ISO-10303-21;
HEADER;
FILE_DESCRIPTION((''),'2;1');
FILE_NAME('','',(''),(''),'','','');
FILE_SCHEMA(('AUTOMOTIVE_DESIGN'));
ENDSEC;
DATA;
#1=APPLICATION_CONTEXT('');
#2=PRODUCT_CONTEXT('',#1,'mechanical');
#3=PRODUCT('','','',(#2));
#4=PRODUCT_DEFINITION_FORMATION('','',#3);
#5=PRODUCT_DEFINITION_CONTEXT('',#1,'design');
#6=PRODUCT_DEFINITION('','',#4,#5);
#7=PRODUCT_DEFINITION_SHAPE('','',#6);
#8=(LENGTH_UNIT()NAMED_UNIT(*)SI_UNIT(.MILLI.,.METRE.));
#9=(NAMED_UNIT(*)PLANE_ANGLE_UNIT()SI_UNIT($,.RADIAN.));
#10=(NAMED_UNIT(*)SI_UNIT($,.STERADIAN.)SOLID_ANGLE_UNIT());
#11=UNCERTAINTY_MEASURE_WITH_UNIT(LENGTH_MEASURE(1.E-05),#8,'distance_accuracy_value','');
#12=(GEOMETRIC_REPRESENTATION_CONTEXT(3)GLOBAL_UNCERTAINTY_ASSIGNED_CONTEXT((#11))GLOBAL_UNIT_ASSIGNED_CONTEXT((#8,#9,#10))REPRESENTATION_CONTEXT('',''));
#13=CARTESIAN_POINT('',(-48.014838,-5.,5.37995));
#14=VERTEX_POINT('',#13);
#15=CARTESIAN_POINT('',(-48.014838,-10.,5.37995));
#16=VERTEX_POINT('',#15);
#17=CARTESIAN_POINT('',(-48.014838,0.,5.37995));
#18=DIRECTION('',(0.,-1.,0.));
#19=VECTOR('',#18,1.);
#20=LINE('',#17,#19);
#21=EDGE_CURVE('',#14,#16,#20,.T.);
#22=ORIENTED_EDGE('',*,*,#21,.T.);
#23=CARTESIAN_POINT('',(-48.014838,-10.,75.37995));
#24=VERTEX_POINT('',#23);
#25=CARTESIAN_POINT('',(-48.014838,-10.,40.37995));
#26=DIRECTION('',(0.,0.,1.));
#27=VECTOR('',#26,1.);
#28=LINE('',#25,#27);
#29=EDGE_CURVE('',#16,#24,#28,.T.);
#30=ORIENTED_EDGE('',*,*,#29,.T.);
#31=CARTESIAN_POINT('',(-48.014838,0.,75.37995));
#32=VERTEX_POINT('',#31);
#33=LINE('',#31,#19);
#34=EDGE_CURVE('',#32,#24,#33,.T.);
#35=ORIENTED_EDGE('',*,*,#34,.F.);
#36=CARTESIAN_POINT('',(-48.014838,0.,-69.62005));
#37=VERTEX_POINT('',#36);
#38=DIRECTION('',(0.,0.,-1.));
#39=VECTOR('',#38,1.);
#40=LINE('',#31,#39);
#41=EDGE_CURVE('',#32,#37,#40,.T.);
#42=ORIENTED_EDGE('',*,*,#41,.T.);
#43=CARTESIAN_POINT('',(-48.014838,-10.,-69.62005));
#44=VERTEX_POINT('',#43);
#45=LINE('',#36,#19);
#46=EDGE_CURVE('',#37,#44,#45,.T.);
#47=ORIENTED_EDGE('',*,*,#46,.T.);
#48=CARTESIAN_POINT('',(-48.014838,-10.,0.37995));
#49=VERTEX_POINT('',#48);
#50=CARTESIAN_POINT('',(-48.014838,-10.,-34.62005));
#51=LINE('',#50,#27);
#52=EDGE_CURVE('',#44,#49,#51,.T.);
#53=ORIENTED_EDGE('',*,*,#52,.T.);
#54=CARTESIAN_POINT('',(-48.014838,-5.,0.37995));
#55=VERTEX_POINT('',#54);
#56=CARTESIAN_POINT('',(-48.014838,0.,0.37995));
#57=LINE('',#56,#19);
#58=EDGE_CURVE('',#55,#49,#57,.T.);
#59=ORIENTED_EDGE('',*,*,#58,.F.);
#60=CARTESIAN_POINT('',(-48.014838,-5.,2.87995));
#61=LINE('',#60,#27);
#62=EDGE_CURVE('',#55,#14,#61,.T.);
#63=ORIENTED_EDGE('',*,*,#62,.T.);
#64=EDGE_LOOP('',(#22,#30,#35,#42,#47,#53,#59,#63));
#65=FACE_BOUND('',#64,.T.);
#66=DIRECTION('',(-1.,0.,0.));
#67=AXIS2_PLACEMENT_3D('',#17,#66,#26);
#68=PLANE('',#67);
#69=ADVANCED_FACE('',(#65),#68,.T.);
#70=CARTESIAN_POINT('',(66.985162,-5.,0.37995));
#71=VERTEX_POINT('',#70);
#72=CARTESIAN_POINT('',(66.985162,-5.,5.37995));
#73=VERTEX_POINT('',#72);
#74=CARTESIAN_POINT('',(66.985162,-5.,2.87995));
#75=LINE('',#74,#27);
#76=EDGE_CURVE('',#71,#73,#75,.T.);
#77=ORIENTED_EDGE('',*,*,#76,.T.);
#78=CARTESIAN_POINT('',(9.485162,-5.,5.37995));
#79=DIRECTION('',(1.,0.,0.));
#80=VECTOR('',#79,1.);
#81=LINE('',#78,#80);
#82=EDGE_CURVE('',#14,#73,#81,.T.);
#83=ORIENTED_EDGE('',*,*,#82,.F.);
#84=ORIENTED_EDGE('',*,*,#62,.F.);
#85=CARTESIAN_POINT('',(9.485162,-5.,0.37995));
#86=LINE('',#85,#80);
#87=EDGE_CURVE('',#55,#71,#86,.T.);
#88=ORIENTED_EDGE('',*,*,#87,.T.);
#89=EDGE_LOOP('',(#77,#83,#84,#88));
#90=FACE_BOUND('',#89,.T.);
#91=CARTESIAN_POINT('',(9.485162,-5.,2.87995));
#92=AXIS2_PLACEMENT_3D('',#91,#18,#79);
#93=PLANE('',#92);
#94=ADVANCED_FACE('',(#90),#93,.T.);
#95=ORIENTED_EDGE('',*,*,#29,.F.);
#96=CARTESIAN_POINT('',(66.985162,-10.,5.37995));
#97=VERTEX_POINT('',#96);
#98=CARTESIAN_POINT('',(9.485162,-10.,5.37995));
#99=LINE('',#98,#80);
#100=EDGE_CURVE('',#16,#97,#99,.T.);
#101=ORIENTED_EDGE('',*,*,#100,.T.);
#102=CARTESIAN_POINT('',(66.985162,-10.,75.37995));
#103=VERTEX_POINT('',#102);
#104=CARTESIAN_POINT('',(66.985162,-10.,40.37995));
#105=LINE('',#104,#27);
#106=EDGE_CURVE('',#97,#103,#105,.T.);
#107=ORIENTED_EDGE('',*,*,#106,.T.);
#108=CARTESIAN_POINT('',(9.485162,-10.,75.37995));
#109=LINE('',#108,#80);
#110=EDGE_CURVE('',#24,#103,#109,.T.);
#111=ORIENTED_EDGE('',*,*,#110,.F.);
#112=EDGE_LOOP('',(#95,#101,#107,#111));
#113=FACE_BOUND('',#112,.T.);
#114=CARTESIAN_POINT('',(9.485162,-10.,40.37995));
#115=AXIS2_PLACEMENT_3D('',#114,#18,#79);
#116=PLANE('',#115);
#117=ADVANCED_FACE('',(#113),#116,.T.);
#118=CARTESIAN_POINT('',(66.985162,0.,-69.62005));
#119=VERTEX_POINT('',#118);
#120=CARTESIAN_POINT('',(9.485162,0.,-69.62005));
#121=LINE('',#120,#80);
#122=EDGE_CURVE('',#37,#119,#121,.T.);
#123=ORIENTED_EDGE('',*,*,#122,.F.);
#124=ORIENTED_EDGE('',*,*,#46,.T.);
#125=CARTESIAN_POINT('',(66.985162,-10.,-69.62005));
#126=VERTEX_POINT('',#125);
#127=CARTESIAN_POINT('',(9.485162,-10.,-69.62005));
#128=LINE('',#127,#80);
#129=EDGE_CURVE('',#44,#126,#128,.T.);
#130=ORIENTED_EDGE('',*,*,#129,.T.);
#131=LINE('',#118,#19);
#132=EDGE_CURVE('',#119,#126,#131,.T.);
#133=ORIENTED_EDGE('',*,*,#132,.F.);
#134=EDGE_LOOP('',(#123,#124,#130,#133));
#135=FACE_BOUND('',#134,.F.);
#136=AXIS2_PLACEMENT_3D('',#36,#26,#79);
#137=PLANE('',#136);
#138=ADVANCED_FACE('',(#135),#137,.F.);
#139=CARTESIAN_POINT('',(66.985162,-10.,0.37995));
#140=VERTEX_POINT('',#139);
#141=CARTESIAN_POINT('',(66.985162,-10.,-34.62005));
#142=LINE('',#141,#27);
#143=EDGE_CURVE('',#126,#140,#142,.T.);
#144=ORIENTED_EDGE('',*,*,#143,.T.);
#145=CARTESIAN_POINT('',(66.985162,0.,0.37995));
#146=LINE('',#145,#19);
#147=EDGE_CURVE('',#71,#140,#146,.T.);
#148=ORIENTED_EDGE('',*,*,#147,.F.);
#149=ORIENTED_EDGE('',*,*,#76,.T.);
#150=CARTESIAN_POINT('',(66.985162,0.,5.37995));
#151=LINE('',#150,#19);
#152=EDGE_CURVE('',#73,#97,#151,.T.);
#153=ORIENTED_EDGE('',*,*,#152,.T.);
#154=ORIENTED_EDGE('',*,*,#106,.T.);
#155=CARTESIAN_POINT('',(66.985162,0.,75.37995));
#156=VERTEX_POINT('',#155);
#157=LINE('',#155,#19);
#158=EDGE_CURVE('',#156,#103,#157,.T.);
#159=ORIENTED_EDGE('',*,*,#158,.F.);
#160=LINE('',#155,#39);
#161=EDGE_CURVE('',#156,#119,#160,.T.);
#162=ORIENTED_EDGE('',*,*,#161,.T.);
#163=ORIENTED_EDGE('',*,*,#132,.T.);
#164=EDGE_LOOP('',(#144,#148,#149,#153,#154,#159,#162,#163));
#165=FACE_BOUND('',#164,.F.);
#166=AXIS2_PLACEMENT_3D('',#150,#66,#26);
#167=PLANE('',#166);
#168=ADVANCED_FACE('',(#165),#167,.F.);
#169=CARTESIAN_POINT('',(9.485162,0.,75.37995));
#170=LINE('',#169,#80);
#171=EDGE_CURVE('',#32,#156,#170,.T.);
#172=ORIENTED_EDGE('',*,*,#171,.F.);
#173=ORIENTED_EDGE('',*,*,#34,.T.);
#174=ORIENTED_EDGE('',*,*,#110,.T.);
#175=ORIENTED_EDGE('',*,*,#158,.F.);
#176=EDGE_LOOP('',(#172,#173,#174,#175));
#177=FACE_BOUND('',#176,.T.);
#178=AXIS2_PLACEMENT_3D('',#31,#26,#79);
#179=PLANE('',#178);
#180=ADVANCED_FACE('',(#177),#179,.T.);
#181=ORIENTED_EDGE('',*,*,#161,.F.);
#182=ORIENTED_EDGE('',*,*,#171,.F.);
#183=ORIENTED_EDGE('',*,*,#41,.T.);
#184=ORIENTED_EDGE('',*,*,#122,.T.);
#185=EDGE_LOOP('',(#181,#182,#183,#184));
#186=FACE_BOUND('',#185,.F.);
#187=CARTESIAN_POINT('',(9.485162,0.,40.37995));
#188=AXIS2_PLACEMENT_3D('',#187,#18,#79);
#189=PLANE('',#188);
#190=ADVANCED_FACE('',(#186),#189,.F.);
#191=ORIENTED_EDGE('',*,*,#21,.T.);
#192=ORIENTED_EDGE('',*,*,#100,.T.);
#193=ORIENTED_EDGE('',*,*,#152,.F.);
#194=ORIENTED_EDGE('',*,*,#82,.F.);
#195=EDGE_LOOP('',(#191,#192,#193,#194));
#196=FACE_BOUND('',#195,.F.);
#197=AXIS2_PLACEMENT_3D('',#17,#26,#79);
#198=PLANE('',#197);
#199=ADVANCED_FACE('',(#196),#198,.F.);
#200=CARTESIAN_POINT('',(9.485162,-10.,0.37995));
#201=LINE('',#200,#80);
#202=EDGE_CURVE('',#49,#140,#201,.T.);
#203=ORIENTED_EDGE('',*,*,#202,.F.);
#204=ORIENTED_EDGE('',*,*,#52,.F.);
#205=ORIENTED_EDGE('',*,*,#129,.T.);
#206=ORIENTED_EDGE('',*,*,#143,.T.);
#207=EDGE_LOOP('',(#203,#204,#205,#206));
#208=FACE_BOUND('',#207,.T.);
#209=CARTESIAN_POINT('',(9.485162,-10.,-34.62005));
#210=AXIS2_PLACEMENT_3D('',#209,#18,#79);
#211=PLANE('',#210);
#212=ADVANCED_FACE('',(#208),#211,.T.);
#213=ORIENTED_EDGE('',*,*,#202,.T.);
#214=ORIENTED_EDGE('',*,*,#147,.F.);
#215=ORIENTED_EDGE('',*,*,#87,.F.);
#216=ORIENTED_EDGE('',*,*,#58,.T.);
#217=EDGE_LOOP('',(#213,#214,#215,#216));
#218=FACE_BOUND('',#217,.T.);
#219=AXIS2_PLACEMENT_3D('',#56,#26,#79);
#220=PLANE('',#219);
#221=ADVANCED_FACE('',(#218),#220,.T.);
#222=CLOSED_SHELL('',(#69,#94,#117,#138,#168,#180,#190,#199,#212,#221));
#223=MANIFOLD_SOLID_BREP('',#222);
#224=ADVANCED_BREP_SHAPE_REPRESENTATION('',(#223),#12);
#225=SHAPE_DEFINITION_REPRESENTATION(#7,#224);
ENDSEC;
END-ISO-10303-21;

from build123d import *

# Parameters (mm, degrees)
F0_W     = 115
F0_H     = 5
F1_DEPTH = 5
F0_H_2   = 70
F2_DEPTH = 10


with BuildPart() as f1:
    # F0 (on Front) → F1 (new body)
    with BuildSketch(Plane.XZ):
        with Locations((9.485162, 2.87995)):
            Rectangle(F0_W, F0_H)
    extrude(amount=F1_DEPTH)

    # F0 (on Front) → F2 (join)
    with BuildSketch(Plane.XZ):
        with Locations((9.485162, 40.37995)):
            Rectangle(F0_W, F0_H_2)
        with Locations((9.485162, -34.62005)):
            Rectangle(F0_W, F0_H_2)
    extrude(amount=F2_DEPTH)


solid = f1.part
